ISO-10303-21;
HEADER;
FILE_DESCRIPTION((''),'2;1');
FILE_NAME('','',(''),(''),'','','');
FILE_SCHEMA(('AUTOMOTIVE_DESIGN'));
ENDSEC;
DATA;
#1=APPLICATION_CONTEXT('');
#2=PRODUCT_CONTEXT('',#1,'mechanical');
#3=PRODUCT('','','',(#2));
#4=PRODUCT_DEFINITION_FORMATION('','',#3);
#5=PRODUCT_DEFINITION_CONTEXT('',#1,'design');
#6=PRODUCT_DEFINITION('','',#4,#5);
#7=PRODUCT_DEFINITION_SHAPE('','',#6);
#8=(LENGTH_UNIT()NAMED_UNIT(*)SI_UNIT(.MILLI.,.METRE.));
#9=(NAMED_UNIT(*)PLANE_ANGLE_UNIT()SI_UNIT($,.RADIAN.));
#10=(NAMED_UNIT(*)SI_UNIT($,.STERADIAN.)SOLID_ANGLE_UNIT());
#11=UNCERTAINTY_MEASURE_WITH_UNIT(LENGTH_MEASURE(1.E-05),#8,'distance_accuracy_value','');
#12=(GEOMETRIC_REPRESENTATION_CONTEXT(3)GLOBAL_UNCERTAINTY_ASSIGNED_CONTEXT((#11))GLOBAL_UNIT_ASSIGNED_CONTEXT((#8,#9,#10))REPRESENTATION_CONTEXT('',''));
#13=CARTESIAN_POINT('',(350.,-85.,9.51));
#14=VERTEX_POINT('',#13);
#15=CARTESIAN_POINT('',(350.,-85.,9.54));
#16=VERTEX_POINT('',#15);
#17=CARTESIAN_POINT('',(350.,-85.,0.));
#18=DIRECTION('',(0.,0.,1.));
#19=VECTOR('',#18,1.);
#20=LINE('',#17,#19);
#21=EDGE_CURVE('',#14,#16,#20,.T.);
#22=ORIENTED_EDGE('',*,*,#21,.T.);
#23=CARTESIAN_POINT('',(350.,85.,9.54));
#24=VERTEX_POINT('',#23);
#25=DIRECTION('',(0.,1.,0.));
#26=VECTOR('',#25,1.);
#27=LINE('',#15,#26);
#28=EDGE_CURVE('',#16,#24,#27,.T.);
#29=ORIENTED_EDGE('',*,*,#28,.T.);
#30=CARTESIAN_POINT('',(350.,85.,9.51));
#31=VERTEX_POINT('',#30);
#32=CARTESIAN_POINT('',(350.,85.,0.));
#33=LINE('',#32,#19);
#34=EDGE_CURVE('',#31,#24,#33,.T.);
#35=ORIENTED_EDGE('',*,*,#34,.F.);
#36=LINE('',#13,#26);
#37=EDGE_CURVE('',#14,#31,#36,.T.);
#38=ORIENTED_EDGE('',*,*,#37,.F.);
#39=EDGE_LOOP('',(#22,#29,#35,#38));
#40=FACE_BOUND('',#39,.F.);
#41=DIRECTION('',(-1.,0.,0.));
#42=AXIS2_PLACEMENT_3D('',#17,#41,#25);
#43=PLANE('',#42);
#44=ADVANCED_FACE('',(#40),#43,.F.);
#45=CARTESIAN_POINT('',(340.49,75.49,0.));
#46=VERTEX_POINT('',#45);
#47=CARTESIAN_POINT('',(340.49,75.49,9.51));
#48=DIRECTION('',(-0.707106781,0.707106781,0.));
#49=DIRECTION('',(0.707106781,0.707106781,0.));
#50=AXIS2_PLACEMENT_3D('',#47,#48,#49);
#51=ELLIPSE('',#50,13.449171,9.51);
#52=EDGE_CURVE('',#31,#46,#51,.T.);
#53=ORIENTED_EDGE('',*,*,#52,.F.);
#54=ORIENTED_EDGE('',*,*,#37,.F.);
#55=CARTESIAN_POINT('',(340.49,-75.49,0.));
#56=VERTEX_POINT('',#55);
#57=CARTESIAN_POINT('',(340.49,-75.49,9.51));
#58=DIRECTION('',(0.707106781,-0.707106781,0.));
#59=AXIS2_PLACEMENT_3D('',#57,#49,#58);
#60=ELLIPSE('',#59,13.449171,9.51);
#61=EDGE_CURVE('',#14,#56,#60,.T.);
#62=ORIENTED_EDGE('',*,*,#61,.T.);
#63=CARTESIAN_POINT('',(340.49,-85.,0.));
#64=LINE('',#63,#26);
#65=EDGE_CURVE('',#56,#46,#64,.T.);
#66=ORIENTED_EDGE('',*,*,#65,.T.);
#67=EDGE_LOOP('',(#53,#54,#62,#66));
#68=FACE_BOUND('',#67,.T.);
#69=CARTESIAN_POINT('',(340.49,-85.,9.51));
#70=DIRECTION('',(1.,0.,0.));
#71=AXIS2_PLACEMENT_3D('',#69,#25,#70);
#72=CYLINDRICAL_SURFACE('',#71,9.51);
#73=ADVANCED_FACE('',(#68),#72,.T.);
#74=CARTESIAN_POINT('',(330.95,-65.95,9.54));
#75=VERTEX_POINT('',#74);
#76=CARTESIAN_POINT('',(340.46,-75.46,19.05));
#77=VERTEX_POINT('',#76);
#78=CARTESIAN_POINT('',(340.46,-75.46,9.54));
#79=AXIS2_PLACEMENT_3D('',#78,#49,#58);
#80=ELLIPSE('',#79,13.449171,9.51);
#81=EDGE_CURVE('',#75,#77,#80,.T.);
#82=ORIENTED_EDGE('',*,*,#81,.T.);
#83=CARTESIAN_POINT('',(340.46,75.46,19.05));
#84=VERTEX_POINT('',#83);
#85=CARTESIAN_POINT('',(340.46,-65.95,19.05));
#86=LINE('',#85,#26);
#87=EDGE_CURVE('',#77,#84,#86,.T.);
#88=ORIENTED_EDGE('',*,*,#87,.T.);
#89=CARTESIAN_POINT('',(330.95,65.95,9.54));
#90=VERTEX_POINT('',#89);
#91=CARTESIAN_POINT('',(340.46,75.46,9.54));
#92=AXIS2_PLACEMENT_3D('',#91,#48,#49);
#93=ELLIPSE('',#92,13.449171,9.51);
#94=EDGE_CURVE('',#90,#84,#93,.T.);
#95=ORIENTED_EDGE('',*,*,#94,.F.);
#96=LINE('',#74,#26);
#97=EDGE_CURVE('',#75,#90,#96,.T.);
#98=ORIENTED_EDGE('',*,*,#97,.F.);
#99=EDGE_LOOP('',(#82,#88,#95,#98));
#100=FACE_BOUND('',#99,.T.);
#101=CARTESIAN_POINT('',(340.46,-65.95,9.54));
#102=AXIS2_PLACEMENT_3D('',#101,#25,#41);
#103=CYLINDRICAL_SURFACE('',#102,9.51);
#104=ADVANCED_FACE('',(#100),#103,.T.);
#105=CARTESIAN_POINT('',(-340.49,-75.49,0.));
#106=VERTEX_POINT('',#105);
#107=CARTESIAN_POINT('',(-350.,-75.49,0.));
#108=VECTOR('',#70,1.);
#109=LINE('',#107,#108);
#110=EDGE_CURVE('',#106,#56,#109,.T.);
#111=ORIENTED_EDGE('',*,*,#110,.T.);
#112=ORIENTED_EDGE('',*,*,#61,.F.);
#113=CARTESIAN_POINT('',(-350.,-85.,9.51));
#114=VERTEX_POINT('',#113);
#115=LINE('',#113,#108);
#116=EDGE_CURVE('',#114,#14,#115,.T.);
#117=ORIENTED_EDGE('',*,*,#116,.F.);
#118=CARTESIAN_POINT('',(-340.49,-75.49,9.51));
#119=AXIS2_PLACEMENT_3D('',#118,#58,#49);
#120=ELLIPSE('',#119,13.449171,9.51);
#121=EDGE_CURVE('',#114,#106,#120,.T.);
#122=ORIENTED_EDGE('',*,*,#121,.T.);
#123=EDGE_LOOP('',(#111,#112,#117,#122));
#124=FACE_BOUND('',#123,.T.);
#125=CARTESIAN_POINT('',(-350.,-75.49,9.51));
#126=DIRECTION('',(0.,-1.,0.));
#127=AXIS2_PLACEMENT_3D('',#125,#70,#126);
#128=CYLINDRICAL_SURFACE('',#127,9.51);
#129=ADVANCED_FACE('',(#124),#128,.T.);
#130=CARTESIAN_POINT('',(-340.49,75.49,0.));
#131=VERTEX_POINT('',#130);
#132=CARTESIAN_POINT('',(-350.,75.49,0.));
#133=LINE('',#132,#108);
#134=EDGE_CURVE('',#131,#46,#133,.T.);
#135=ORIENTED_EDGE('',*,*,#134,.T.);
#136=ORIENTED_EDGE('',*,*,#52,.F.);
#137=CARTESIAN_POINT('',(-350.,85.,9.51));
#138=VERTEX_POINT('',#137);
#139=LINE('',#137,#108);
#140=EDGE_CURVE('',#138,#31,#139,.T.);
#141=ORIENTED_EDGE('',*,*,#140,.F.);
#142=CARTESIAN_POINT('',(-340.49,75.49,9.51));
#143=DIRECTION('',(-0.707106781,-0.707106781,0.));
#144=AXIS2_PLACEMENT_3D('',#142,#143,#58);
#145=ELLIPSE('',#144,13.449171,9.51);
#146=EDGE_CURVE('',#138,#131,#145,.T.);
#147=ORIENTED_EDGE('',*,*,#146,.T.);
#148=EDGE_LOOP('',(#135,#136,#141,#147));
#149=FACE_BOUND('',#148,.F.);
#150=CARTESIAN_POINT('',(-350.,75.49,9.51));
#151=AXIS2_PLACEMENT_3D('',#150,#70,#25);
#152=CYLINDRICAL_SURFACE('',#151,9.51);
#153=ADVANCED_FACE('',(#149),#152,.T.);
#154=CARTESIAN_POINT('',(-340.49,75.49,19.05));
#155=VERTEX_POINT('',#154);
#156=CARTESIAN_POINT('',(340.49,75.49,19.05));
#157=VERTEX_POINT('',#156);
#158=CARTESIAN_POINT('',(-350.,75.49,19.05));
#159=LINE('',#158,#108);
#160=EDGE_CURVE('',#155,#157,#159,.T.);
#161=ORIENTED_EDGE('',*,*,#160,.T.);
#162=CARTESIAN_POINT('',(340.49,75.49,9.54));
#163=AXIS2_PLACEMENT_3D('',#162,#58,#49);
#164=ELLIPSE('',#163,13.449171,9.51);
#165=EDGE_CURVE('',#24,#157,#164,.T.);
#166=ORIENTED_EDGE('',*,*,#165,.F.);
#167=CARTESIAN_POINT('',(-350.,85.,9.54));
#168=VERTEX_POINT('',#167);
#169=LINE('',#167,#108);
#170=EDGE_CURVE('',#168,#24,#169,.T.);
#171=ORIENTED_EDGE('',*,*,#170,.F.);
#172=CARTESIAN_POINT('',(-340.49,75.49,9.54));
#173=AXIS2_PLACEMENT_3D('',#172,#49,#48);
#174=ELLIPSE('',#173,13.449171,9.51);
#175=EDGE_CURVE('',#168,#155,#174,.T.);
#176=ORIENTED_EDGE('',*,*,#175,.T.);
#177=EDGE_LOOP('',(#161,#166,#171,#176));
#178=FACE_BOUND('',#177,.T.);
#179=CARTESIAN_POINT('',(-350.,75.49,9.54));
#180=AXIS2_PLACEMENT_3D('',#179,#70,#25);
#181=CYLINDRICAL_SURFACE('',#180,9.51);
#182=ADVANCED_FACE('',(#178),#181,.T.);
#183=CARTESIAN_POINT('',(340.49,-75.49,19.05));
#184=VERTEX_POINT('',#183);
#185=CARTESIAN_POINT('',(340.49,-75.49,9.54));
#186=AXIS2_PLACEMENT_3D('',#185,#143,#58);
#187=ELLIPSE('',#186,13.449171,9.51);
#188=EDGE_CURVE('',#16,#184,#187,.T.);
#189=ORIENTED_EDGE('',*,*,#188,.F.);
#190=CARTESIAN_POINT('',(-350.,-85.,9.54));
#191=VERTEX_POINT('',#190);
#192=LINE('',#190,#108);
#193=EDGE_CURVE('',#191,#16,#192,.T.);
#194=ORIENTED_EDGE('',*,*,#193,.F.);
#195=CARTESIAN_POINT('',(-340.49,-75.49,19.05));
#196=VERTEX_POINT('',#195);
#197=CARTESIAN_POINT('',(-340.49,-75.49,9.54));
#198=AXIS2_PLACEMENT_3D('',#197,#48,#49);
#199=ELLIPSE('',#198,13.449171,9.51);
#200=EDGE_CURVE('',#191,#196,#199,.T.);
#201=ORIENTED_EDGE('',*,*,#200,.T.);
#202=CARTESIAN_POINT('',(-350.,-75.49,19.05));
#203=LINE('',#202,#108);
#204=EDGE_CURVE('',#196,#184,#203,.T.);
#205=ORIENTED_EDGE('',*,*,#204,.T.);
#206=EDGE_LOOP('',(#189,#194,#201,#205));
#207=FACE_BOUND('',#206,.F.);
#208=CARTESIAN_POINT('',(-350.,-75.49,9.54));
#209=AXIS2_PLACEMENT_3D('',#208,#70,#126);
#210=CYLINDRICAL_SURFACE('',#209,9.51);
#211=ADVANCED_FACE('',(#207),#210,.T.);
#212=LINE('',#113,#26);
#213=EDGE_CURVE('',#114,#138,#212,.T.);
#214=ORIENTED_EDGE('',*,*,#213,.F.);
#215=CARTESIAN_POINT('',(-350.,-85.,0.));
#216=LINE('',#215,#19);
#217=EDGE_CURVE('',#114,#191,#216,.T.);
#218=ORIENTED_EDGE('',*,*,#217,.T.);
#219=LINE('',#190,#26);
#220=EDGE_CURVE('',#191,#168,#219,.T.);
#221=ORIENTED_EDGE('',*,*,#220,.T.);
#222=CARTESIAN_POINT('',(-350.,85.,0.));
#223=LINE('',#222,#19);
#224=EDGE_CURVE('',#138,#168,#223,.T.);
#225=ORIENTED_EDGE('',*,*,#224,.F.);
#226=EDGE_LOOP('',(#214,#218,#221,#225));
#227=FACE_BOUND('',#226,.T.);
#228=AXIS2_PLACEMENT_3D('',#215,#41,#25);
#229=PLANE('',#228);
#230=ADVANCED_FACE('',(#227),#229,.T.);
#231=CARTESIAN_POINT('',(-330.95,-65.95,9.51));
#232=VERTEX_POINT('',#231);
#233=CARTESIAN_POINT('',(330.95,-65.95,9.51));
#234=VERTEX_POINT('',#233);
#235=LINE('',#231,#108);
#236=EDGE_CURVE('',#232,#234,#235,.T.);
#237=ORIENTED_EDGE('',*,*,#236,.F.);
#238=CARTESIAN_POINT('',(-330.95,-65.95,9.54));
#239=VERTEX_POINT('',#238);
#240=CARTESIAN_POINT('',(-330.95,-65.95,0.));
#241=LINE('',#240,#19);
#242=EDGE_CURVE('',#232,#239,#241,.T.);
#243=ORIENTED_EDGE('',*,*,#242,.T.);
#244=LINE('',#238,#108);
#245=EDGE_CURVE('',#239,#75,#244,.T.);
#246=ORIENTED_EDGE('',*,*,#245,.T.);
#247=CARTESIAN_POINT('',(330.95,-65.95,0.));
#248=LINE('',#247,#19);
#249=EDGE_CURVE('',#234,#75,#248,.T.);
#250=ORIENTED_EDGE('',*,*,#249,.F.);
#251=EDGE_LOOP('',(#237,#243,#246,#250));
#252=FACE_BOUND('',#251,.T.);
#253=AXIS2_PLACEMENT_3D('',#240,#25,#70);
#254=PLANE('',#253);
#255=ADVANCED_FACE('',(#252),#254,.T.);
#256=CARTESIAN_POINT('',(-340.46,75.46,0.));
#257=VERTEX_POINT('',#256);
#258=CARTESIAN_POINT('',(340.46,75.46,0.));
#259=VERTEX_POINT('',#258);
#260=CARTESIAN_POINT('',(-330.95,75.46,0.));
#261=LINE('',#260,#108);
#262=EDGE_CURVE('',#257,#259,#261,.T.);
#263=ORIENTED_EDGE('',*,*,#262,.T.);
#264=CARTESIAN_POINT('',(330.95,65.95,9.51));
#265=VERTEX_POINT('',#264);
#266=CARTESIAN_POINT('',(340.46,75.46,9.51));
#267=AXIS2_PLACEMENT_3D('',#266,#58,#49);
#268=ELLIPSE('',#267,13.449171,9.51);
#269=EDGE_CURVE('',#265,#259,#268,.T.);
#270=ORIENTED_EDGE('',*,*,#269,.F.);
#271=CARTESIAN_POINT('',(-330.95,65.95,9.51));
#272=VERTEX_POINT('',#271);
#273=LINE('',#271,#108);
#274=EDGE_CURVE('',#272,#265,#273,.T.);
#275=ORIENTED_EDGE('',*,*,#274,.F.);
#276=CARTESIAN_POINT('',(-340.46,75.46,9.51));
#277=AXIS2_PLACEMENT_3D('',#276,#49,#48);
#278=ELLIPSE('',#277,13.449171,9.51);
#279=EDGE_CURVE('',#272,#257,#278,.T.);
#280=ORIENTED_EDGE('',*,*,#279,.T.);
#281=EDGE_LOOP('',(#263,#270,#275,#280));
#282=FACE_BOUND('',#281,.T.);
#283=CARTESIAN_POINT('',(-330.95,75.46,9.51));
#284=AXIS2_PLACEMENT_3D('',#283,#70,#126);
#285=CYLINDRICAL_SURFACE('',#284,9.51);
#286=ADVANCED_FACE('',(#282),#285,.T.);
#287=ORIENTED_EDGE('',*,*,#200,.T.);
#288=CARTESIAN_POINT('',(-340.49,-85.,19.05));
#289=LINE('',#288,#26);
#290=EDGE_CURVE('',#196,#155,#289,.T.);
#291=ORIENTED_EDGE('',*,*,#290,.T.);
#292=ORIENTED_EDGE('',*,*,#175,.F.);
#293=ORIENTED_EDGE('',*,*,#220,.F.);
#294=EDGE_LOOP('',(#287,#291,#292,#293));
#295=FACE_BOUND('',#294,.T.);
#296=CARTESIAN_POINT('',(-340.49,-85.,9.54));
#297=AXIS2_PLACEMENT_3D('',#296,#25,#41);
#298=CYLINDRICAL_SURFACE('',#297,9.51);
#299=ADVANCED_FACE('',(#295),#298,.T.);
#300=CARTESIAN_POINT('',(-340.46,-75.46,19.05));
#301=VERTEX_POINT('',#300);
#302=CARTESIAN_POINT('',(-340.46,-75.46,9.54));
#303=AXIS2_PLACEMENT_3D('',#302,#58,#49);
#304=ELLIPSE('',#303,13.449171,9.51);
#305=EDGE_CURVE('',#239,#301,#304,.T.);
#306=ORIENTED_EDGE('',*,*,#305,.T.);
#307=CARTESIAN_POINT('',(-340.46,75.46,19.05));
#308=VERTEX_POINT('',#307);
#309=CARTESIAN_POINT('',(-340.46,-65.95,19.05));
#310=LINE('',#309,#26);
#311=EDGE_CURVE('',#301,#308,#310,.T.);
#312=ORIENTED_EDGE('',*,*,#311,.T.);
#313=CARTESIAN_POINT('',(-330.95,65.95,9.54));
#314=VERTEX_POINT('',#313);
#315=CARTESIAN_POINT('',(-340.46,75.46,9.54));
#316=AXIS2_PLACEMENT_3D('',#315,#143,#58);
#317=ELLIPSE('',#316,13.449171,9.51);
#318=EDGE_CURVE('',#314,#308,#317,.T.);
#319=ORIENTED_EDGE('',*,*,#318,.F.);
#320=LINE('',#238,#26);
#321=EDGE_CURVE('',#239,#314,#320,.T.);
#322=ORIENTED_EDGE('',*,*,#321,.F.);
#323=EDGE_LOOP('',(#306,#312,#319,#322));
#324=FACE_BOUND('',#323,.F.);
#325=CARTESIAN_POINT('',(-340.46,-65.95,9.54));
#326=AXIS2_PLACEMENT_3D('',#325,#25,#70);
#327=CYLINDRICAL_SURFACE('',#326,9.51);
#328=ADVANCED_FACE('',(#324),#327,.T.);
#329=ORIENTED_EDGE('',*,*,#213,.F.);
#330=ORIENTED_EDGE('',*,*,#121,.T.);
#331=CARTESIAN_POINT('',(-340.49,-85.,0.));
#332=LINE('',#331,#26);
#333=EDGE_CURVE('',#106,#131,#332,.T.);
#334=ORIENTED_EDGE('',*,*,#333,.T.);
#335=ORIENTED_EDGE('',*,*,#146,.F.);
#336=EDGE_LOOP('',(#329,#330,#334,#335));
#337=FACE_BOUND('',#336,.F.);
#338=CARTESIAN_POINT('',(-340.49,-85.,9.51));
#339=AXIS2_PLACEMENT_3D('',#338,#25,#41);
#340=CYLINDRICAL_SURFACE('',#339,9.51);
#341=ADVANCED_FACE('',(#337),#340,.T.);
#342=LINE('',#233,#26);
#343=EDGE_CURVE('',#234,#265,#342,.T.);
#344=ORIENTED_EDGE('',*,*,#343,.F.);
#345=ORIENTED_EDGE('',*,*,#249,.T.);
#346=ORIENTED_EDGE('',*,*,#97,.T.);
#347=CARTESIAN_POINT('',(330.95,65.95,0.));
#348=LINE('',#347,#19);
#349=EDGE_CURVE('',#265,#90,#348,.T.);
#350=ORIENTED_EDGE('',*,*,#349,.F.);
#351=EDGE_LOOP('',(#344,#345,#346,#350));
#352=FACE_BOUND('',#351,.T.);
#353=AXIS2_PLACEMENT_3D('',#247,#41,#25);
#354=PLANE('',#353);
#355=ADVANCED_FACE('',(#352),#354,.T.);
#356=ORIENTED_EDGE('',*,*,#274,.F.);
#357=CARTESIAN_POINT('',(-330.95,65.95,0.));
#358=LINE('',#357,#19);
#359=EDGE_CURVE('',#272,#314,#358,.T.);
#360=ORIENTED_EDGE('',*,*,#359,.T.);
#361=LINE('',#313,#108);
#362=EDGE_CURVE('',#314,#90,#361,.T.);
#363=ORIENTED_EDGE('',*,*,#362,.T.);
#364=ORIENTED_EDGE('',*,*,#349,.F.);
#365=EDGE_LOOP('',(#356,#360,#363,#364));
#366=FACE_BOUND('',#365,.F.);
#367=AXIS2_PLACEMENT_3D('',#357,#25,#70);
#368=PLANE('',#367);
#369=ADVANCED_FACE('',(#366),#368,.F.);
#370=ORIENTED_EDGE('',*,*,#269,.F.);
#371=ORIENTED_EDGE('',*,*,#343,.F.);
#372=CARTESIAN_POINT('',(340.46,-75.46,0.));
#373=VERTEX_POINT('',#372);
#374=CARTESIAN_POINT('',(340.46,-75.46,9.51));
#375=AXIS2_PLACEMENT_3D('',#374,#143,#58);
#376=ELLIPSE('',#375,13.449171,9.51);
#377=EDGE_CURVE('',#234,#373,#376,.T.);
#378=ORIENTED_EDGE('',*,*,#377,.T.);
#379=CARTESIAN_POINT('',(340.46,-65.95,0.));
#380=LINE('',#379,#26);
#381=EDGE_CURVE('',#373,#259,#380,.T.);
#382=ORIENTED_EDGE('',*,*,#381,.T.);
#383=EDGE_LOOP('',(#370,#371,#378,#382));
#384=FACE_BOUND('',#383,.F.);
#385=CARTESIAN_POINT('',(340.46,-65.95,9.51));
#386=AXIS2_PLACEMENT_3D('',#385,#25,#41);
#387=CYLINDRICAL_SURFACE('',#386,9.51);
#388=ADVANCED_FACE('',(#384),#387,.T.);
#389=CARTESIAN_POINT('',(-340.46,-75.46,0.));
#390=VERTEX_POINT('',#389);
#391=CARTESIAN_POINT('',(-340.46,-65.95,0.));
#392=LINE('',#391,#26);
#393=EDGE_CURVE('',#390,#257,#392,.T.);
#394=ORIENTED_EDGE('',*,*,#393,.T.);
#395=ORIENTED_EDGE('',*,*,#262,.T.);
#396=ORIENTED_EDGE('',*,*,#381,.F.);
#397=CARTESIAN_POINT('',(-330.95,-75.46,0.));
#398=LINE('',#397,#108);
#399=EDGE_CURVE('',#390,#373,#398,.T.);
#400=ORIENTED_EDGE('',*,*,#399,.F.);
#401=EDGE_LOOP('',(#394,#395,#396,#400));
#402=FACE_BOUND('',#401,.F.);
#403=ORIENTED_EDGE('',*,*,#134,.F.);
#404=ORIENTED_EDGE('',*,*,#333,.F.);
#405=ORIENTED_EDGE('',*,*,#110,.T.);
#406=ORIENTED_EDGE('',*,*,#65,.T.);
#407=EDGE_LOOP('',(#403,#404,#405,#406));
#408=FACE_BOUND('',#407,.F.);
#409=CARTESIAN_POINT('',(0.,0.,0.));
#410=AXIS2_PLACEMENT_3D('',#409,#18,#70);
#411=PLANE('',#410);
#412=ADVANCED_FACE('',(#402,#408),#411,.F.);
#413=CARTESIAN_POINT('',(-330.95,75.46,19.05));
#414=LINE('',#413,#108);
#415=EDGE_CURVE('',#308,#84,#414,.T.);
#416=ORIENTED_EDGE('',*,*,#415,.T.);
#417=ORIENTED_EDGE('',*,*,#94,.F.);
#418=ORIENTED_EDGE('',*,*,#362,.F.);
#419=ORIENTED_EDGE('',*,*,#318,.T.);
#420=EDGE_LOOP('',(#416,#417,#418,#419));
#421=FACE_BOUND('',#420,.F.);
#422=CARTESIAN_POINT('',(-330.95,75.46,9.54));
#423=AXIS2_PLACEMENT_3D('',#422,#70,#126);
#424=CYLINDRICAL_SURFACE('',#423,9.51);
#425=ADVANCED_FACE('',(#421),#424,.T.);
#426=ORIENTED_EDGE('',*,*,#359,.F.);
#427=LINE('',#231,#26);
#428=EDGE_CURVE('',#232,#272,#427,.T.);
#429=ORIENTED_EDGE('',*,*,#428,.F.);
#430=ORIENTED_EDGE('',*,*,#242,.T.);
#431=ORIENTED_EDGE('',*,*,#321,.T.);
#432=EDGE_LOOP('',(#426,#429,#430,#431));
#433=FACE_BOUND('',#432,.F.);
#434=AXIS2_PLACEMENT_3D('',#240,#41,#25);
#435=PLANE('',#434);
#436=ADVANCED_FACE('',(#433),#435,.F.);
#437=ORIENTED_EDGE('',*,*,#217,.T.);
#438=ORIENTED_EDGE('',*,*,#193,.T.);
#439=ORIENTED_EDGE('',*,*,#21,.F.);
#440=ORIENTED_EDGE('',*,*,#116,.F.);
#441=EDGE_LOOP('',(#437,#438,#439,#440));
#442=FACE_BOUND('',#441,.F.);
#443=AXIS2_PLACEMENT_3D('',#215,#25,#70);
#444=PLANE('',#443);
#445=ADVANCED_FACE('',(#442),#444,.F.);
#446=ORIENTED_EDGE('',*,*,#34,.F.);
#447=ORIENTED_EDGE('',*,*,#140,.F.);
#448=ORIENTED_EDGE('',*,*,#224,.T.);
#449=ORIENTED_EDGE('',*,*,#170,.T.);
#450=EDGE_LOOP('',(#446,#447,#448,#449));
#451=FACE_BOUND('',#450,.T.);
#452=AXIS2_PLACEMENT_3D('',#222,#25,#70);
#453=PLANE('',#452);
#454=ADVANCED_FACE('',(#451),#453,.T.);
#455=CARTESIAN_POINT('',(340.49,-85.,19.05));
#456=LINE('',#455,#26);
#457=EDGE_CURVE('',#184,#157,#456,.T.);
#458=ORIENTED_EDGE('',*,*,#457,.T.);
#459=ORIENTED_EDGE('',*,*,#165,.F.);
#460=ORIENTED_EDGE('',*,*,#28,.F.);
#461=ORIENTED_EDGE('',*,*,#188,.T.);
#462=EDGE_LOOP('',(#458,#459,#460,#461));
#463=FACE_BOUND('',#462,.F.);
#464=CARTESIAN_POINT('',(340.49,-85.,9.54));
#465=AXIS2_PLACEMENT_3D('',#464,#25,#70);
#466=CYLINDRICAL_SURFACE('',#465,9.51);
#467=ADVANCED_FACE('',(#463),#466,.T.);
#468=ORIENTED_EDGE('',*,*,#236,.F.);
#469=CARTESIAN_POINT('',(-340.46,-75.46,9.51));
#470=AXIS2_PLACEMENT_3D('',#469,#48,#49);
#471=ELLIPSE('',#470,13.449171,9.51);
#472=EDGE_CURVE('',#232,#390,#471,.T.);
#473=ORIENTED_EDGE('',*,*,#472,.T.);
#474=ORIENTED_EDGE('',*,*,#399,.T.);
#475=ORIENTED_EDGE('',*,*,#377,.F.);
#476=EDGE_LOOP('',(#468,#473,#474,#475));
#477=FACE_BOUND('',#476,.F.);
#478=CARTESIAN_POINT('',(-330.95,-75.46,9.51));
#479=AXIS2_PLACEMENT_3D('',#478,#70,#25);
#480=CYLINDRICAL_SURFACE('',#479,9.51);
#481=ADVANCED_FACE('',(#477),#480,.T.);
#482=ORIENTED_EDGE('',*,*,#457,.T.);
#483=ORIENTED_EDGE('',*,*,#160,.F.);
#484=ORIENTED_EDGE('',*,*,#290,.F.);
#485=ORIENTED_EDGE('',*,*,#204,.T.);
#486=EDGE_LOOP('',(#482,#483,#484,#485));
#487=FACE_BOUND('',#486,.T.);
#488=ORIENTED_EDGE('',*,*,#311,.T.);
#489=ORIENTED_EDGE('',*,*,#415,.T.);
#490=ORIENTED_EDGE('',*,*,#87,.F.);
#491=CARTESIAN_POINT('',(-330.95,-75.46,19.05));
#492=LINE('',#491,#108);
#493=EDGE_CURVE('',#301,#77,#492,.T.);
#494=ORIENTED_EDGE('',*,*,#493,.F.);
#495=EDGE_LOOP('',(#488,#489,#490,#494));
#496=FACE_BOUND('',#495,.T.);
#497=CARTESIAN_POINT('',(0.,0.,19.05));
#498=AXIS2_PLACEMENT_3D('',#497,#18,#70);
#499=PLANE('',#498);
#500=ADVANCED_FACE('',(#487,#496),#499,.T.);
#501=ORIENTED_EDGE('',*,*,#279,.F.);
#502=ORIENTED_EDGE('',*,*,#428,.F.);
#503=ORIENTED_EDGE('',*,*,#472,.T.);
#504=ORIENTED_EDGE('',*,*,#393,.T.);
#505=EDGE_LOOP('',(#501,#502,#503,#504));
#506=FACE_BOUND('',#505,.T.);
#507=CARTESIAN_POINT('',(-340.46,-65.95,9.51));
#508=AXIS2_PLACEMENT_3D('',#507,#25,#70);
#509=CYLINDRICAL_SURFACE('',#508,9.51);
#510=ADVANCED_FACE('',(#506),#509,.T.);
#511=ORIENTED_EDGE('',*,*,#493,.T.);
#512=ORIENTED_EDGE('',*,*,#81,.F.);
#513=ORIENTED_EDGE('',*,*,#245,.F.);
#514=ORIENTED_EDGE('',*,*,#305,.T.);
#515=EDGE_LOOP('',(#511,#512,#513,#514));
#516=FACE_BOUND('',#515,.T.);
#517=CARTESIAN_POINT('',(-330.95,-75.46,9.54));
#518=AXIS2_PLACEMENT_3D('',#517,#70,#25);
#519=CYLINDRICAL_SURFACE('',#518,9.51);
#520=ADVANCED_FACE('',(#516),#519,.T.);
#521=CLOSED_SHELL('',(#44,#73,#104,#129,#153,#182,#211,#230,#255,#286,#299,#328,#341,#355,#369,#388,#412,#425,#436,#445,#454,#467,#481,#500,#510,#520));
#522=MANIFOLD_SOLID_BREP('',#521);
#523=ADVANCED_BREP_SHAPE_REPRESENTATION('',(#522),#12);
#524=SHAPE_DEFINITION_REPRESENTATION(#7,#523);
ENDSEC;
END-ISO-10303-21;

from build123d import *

# Parameters (mm, degrees)
F0_W     = 700
F0_H     = 170
F0_W_2   = 661.9
F0_H_2   = 131.9
F1_DEPTH = 19.05
F2_R     = 9.51


with BuildPart() as f1:
    # F0 (on Top) → F1 (new body)
    with BuildSketch(Plane.XY):
        Rectangle(F0_W, F0_H)
        Rectangle(F0_W_2, F0_H_2, mode=Mode.SUBTRACT)
    extrude(amount=F1_DEPTH)

    # F2
    f2_edges = [f1.edges().sort_by_distance(p)[0] for p in [
        (0, -85, 0),
        (350, 0, 0),
        (0, 85, 0),
        (-350, 0, 0),
        (-330.95, 0, 0),
        (0, 65.95, 0),
        (0, -65.95, 0),
        (330.95, 0, 0),
        (0, -85, 19.05),
        (350, 0, 19.05),
        (0, 65.95, 19.05),
        (-330.95, 0, 19.05),
        (-350, 0, 19.05),
        (0, 85, 19.05),
        (0, -65.95, 19.05),
        (330.95, 0, 19.05),
    ]]
    fillet(f2_edges, radius=F2_R)


solid = f1.part
